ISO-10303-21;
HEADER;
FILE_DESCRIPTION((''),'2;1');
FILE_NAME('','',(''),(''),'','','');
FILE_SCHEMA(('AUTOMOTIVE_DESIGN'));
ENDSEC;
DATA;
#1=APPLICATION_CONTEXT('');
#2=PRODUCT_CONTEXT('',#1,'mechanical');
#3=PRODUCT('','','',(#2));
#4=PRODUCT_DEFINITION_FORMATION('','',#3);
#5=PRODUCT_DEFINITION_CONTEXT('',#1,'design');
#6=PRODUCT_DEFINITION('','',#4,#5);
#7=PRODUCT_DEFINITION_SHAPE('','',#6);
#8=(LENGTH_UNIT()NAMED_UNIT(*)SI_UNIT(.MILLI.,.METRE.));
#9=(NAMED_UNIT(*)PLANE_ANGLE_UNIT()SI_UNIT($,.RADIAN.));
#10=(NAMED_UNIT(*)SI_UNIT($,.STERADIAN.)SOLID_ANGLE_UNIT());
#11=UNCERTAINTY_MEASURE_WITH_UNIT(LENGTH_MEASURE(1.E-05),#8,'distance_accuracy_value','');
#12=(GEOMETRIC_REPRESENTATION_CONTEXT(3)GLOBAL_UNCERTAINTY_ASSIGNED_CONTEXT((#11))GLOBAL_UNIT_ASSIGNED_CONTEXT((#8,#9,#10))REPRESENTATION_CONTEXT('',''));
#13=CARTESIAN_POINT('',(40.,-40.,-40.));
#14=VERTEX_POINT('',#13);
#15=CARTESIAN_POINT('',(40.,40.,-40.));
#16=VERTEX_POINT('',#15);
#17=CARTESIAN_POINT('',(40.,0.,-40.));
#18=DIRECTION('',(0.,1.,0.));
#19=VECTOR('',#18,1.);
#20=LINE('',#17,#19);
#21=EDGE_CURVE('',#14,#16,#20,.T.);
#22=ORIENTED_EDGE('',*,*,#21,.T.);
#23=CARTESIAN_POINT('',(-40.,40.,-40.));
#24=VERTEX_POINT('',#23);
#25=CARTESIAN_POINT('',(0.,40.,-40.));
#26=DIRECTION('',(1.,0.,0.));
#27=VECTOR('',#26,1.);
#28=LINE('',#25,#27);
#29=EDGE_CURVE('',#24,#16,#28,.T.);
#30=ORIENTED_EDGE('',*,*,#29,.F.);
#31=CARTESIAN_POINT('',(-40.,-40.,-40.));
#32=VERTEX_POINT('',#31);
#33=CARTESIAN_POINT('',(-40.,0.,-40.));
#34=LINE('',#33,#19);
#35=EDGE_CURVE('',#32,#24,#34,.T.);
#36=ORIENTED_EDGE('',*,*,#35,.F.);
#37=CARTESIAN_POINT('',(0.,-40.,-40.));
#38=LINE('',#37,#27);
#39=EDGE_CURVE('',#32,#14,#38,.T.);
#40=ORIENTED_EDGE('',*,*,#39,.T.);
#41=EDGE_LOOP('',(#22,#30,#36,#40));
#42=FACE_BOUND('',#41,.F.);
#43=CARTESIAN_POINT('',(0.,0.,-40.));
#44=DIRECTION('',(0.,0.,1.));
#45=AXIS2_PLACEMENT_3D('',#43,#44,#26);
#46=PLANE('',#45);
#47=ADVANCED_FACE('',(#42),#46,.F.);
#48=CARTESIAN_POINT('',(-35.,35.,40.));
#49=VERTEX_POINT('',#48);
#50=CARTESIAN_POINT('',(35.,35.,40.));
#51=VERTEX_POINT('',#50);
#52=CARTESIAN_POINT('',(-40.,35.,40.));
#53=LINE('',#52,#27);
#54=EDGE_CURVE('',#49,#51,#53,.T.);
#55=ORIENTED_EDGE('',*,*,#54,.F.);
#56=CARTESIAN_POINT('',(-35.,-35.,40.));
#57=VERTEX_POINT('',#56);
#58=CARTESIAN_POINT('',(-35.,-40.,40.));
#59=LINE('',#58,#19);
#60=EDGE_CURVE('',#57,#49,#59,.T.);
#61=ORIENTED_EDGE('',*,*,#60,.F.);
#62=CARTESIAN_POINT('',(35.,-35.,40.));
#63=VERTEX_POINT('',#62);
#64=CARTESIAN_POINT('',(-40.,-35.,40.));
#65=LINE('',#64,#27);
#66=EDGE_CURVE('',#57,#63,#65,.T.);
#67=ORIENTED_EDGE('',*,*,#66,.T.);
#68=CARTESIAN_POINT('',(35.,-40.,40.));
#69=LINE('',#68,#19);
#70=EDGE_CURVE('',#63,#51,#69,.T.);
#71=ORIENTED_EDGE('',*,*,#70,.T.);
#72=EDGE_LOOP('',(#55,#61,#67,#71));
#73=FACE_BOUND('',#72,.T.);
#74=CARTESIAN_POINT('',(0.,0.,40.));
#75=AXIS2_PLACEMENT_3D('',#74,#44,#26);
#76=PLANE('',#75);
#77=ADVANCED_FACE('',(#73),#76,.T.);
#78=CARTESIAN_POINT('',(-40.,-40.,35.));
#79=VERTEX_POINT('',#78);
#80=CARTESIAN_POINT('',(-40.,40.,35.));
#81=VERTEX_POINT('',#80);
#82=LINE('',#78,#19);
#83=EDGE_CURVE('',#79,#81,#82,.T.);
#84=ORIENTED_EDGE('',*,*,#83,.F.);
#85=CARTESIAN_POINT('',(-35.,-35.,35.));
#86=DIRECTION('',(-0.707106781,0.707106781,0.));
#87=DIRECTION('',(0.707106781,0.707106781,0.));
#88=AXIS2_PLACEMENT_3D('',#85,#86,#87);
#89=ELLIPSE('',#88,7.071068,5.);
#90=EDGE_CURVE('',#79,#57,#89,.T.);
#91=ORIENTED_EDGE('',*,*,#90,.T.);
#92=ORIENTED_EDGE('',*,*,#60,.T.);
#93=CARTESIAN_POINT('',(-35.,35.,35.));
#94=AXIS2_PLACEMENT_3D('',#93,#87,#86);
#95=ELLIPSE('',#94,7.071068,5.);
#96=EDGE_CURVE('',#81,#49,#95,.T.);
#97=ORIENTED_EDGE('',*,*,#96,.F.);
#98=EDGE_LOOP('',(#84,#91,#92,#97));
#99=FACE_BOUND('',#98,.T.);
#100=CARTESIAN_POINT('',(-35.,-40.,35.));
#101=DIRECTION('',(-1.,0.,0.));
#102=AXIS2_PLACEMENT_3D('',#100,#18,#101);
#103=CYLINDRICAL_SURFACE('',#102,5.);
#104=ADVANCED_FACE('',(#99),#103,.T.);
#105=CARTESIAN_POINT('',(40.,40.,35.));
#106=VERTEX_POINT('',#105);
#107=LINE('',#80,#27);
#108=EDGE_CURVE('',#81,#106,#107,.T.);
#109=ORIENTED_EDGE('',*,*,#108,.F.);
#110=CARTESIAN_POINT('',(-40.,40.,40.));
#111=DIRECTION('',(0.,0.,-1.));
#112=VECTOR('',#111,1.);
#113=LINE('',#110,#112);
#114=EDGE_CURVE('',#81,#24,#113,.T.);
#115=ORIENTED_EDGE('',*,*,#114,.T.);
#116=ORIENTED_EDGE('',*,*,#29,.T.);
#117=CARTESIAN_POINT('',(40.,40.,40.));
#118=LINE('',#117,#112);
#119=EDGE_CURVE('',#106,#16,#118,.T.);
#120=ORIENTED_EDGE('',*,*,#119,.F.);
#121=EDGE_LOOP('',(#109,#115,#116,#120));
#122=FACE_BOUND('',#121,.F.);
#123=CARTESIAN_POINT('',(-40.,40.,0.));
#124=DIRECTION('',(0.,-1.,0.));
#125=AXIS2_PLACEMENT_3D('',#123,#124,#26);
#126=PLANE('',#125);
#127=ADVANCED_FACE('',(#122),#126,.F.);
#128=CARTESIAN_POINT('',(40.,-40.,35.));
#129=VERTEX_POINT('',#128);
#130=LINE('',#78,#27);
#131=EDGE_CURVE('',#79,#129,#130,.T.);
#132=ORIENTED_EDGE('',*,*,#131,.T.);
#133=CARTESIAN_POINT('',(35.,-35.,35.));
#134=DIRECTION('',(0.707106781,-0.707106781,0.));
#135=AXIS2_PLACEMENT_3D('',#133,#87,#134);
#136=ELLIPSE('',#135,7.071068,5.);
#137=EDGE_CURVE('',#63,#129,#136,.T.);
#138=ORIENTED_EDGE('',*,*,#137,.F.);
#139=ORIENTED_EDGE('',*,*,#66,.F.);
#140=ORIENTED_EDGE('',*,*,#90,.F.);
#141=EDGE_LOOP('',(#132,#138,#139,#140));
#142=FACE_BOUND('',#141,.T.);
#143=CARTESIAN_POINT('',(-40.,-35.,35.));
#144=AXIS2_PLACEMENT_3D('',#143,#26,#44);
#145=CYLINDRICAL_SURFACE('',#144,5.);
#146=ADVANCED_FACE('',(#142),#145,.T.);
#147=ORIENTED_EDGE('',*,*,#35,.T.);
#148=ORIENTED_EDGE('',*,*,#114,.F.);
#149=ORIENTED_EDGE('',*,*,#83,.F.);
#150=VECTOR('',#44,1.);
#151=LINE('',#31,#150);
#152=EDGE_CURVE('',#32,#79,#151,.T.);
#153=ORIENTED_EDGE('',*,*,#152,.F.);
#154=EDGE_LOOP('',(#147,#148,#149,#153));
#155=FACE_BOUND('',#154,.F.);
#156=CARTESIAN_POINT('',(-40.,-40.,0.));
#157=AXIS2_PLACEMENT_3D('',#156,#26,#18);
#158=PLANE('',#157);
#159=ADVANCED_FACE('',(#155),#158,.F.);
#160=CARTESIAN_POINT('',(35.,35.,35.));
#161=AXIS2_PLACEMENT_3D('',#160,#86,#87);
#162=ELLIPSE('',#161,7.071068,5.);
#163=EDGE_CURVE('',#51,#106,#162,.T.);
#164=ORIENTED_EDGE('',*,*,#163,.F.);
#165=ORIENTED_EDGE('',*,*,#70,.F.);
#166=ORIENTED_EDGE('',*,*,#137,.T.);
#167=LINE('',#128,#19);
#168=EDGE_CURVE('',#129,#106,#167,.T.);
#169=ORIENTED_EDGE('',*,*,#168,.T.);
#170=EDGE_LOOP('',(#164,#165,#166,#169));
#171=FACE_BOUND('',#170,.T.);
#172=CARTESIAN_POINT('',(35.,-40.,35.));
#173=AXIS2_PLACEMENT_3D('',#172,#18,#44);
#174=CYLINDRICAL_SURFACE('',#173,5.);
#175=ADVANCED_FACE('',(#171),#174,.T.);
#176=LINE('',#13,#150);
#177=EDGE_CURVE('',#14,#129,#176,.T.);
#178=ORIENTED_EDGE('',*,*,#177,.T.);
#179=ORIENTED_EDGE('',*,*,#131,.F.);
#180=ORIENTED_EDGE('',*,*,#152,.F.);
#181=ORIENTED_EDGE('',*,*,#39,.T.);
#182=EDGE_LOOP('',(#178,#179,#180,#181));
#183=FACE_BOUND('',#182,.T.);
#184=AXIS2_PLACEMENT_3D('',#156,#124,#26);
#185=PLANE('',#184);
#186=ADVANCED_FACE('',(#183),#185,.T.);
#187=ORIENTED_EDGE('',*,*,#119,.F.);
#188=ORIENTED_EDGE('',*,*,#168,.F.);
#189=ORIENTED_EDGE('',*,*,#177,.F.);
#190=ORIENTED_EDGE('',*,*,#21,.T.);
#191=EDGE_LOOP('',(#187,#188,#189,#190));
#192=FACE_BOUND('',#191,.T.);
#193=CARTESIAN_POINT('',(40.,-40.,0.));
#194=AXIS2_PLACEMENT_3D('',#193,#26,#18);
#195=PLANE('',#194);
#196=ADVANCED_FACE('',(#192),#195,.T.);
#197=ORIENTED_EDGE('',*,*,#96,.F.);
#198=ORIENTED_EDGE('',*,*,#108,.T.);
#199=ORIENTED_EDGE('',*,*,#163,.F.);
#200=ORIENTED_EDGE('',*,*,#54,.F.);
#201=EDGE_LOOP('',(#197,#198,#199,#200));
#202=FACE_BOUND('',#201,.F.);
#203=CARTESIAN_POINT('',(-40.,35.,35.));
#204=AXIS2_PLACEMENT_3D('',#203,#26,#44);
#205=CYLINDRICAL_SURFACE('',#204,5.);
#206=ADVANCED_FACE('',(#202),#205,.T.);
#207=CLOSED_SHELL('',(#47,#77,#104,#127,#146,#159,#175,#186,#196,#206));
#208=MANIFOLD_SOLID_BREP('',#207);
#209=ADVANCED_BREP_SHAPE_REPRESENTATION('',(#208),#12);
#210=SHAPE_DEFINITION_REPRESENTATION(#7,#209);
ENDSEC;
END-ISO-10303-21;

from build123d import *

# Parameters (mm, degrees)
F0_W     = 80
F0_H     = 80
F1_DEPTH = 40
F2_R     = 5


with BuildPart() as f1:
    # F0 (on Top) → F1 (new body, symmetric)
    with BuildSketch(Plane.XY):
        Rectangle(F0_W, F0_H)
    extrude(amount=F1_DEPTH, both=True)

    # F2
    f2_edges = [f1.edges().sort_by_distance(p)[0] for p in [
        (-40, 0, 40),
        (0, -40, 40),
        (40, 0, 40),
        (0, 40, 40),
    ]]
    fillet(f2_edges, radius=F2_R)


solid = f1.part
